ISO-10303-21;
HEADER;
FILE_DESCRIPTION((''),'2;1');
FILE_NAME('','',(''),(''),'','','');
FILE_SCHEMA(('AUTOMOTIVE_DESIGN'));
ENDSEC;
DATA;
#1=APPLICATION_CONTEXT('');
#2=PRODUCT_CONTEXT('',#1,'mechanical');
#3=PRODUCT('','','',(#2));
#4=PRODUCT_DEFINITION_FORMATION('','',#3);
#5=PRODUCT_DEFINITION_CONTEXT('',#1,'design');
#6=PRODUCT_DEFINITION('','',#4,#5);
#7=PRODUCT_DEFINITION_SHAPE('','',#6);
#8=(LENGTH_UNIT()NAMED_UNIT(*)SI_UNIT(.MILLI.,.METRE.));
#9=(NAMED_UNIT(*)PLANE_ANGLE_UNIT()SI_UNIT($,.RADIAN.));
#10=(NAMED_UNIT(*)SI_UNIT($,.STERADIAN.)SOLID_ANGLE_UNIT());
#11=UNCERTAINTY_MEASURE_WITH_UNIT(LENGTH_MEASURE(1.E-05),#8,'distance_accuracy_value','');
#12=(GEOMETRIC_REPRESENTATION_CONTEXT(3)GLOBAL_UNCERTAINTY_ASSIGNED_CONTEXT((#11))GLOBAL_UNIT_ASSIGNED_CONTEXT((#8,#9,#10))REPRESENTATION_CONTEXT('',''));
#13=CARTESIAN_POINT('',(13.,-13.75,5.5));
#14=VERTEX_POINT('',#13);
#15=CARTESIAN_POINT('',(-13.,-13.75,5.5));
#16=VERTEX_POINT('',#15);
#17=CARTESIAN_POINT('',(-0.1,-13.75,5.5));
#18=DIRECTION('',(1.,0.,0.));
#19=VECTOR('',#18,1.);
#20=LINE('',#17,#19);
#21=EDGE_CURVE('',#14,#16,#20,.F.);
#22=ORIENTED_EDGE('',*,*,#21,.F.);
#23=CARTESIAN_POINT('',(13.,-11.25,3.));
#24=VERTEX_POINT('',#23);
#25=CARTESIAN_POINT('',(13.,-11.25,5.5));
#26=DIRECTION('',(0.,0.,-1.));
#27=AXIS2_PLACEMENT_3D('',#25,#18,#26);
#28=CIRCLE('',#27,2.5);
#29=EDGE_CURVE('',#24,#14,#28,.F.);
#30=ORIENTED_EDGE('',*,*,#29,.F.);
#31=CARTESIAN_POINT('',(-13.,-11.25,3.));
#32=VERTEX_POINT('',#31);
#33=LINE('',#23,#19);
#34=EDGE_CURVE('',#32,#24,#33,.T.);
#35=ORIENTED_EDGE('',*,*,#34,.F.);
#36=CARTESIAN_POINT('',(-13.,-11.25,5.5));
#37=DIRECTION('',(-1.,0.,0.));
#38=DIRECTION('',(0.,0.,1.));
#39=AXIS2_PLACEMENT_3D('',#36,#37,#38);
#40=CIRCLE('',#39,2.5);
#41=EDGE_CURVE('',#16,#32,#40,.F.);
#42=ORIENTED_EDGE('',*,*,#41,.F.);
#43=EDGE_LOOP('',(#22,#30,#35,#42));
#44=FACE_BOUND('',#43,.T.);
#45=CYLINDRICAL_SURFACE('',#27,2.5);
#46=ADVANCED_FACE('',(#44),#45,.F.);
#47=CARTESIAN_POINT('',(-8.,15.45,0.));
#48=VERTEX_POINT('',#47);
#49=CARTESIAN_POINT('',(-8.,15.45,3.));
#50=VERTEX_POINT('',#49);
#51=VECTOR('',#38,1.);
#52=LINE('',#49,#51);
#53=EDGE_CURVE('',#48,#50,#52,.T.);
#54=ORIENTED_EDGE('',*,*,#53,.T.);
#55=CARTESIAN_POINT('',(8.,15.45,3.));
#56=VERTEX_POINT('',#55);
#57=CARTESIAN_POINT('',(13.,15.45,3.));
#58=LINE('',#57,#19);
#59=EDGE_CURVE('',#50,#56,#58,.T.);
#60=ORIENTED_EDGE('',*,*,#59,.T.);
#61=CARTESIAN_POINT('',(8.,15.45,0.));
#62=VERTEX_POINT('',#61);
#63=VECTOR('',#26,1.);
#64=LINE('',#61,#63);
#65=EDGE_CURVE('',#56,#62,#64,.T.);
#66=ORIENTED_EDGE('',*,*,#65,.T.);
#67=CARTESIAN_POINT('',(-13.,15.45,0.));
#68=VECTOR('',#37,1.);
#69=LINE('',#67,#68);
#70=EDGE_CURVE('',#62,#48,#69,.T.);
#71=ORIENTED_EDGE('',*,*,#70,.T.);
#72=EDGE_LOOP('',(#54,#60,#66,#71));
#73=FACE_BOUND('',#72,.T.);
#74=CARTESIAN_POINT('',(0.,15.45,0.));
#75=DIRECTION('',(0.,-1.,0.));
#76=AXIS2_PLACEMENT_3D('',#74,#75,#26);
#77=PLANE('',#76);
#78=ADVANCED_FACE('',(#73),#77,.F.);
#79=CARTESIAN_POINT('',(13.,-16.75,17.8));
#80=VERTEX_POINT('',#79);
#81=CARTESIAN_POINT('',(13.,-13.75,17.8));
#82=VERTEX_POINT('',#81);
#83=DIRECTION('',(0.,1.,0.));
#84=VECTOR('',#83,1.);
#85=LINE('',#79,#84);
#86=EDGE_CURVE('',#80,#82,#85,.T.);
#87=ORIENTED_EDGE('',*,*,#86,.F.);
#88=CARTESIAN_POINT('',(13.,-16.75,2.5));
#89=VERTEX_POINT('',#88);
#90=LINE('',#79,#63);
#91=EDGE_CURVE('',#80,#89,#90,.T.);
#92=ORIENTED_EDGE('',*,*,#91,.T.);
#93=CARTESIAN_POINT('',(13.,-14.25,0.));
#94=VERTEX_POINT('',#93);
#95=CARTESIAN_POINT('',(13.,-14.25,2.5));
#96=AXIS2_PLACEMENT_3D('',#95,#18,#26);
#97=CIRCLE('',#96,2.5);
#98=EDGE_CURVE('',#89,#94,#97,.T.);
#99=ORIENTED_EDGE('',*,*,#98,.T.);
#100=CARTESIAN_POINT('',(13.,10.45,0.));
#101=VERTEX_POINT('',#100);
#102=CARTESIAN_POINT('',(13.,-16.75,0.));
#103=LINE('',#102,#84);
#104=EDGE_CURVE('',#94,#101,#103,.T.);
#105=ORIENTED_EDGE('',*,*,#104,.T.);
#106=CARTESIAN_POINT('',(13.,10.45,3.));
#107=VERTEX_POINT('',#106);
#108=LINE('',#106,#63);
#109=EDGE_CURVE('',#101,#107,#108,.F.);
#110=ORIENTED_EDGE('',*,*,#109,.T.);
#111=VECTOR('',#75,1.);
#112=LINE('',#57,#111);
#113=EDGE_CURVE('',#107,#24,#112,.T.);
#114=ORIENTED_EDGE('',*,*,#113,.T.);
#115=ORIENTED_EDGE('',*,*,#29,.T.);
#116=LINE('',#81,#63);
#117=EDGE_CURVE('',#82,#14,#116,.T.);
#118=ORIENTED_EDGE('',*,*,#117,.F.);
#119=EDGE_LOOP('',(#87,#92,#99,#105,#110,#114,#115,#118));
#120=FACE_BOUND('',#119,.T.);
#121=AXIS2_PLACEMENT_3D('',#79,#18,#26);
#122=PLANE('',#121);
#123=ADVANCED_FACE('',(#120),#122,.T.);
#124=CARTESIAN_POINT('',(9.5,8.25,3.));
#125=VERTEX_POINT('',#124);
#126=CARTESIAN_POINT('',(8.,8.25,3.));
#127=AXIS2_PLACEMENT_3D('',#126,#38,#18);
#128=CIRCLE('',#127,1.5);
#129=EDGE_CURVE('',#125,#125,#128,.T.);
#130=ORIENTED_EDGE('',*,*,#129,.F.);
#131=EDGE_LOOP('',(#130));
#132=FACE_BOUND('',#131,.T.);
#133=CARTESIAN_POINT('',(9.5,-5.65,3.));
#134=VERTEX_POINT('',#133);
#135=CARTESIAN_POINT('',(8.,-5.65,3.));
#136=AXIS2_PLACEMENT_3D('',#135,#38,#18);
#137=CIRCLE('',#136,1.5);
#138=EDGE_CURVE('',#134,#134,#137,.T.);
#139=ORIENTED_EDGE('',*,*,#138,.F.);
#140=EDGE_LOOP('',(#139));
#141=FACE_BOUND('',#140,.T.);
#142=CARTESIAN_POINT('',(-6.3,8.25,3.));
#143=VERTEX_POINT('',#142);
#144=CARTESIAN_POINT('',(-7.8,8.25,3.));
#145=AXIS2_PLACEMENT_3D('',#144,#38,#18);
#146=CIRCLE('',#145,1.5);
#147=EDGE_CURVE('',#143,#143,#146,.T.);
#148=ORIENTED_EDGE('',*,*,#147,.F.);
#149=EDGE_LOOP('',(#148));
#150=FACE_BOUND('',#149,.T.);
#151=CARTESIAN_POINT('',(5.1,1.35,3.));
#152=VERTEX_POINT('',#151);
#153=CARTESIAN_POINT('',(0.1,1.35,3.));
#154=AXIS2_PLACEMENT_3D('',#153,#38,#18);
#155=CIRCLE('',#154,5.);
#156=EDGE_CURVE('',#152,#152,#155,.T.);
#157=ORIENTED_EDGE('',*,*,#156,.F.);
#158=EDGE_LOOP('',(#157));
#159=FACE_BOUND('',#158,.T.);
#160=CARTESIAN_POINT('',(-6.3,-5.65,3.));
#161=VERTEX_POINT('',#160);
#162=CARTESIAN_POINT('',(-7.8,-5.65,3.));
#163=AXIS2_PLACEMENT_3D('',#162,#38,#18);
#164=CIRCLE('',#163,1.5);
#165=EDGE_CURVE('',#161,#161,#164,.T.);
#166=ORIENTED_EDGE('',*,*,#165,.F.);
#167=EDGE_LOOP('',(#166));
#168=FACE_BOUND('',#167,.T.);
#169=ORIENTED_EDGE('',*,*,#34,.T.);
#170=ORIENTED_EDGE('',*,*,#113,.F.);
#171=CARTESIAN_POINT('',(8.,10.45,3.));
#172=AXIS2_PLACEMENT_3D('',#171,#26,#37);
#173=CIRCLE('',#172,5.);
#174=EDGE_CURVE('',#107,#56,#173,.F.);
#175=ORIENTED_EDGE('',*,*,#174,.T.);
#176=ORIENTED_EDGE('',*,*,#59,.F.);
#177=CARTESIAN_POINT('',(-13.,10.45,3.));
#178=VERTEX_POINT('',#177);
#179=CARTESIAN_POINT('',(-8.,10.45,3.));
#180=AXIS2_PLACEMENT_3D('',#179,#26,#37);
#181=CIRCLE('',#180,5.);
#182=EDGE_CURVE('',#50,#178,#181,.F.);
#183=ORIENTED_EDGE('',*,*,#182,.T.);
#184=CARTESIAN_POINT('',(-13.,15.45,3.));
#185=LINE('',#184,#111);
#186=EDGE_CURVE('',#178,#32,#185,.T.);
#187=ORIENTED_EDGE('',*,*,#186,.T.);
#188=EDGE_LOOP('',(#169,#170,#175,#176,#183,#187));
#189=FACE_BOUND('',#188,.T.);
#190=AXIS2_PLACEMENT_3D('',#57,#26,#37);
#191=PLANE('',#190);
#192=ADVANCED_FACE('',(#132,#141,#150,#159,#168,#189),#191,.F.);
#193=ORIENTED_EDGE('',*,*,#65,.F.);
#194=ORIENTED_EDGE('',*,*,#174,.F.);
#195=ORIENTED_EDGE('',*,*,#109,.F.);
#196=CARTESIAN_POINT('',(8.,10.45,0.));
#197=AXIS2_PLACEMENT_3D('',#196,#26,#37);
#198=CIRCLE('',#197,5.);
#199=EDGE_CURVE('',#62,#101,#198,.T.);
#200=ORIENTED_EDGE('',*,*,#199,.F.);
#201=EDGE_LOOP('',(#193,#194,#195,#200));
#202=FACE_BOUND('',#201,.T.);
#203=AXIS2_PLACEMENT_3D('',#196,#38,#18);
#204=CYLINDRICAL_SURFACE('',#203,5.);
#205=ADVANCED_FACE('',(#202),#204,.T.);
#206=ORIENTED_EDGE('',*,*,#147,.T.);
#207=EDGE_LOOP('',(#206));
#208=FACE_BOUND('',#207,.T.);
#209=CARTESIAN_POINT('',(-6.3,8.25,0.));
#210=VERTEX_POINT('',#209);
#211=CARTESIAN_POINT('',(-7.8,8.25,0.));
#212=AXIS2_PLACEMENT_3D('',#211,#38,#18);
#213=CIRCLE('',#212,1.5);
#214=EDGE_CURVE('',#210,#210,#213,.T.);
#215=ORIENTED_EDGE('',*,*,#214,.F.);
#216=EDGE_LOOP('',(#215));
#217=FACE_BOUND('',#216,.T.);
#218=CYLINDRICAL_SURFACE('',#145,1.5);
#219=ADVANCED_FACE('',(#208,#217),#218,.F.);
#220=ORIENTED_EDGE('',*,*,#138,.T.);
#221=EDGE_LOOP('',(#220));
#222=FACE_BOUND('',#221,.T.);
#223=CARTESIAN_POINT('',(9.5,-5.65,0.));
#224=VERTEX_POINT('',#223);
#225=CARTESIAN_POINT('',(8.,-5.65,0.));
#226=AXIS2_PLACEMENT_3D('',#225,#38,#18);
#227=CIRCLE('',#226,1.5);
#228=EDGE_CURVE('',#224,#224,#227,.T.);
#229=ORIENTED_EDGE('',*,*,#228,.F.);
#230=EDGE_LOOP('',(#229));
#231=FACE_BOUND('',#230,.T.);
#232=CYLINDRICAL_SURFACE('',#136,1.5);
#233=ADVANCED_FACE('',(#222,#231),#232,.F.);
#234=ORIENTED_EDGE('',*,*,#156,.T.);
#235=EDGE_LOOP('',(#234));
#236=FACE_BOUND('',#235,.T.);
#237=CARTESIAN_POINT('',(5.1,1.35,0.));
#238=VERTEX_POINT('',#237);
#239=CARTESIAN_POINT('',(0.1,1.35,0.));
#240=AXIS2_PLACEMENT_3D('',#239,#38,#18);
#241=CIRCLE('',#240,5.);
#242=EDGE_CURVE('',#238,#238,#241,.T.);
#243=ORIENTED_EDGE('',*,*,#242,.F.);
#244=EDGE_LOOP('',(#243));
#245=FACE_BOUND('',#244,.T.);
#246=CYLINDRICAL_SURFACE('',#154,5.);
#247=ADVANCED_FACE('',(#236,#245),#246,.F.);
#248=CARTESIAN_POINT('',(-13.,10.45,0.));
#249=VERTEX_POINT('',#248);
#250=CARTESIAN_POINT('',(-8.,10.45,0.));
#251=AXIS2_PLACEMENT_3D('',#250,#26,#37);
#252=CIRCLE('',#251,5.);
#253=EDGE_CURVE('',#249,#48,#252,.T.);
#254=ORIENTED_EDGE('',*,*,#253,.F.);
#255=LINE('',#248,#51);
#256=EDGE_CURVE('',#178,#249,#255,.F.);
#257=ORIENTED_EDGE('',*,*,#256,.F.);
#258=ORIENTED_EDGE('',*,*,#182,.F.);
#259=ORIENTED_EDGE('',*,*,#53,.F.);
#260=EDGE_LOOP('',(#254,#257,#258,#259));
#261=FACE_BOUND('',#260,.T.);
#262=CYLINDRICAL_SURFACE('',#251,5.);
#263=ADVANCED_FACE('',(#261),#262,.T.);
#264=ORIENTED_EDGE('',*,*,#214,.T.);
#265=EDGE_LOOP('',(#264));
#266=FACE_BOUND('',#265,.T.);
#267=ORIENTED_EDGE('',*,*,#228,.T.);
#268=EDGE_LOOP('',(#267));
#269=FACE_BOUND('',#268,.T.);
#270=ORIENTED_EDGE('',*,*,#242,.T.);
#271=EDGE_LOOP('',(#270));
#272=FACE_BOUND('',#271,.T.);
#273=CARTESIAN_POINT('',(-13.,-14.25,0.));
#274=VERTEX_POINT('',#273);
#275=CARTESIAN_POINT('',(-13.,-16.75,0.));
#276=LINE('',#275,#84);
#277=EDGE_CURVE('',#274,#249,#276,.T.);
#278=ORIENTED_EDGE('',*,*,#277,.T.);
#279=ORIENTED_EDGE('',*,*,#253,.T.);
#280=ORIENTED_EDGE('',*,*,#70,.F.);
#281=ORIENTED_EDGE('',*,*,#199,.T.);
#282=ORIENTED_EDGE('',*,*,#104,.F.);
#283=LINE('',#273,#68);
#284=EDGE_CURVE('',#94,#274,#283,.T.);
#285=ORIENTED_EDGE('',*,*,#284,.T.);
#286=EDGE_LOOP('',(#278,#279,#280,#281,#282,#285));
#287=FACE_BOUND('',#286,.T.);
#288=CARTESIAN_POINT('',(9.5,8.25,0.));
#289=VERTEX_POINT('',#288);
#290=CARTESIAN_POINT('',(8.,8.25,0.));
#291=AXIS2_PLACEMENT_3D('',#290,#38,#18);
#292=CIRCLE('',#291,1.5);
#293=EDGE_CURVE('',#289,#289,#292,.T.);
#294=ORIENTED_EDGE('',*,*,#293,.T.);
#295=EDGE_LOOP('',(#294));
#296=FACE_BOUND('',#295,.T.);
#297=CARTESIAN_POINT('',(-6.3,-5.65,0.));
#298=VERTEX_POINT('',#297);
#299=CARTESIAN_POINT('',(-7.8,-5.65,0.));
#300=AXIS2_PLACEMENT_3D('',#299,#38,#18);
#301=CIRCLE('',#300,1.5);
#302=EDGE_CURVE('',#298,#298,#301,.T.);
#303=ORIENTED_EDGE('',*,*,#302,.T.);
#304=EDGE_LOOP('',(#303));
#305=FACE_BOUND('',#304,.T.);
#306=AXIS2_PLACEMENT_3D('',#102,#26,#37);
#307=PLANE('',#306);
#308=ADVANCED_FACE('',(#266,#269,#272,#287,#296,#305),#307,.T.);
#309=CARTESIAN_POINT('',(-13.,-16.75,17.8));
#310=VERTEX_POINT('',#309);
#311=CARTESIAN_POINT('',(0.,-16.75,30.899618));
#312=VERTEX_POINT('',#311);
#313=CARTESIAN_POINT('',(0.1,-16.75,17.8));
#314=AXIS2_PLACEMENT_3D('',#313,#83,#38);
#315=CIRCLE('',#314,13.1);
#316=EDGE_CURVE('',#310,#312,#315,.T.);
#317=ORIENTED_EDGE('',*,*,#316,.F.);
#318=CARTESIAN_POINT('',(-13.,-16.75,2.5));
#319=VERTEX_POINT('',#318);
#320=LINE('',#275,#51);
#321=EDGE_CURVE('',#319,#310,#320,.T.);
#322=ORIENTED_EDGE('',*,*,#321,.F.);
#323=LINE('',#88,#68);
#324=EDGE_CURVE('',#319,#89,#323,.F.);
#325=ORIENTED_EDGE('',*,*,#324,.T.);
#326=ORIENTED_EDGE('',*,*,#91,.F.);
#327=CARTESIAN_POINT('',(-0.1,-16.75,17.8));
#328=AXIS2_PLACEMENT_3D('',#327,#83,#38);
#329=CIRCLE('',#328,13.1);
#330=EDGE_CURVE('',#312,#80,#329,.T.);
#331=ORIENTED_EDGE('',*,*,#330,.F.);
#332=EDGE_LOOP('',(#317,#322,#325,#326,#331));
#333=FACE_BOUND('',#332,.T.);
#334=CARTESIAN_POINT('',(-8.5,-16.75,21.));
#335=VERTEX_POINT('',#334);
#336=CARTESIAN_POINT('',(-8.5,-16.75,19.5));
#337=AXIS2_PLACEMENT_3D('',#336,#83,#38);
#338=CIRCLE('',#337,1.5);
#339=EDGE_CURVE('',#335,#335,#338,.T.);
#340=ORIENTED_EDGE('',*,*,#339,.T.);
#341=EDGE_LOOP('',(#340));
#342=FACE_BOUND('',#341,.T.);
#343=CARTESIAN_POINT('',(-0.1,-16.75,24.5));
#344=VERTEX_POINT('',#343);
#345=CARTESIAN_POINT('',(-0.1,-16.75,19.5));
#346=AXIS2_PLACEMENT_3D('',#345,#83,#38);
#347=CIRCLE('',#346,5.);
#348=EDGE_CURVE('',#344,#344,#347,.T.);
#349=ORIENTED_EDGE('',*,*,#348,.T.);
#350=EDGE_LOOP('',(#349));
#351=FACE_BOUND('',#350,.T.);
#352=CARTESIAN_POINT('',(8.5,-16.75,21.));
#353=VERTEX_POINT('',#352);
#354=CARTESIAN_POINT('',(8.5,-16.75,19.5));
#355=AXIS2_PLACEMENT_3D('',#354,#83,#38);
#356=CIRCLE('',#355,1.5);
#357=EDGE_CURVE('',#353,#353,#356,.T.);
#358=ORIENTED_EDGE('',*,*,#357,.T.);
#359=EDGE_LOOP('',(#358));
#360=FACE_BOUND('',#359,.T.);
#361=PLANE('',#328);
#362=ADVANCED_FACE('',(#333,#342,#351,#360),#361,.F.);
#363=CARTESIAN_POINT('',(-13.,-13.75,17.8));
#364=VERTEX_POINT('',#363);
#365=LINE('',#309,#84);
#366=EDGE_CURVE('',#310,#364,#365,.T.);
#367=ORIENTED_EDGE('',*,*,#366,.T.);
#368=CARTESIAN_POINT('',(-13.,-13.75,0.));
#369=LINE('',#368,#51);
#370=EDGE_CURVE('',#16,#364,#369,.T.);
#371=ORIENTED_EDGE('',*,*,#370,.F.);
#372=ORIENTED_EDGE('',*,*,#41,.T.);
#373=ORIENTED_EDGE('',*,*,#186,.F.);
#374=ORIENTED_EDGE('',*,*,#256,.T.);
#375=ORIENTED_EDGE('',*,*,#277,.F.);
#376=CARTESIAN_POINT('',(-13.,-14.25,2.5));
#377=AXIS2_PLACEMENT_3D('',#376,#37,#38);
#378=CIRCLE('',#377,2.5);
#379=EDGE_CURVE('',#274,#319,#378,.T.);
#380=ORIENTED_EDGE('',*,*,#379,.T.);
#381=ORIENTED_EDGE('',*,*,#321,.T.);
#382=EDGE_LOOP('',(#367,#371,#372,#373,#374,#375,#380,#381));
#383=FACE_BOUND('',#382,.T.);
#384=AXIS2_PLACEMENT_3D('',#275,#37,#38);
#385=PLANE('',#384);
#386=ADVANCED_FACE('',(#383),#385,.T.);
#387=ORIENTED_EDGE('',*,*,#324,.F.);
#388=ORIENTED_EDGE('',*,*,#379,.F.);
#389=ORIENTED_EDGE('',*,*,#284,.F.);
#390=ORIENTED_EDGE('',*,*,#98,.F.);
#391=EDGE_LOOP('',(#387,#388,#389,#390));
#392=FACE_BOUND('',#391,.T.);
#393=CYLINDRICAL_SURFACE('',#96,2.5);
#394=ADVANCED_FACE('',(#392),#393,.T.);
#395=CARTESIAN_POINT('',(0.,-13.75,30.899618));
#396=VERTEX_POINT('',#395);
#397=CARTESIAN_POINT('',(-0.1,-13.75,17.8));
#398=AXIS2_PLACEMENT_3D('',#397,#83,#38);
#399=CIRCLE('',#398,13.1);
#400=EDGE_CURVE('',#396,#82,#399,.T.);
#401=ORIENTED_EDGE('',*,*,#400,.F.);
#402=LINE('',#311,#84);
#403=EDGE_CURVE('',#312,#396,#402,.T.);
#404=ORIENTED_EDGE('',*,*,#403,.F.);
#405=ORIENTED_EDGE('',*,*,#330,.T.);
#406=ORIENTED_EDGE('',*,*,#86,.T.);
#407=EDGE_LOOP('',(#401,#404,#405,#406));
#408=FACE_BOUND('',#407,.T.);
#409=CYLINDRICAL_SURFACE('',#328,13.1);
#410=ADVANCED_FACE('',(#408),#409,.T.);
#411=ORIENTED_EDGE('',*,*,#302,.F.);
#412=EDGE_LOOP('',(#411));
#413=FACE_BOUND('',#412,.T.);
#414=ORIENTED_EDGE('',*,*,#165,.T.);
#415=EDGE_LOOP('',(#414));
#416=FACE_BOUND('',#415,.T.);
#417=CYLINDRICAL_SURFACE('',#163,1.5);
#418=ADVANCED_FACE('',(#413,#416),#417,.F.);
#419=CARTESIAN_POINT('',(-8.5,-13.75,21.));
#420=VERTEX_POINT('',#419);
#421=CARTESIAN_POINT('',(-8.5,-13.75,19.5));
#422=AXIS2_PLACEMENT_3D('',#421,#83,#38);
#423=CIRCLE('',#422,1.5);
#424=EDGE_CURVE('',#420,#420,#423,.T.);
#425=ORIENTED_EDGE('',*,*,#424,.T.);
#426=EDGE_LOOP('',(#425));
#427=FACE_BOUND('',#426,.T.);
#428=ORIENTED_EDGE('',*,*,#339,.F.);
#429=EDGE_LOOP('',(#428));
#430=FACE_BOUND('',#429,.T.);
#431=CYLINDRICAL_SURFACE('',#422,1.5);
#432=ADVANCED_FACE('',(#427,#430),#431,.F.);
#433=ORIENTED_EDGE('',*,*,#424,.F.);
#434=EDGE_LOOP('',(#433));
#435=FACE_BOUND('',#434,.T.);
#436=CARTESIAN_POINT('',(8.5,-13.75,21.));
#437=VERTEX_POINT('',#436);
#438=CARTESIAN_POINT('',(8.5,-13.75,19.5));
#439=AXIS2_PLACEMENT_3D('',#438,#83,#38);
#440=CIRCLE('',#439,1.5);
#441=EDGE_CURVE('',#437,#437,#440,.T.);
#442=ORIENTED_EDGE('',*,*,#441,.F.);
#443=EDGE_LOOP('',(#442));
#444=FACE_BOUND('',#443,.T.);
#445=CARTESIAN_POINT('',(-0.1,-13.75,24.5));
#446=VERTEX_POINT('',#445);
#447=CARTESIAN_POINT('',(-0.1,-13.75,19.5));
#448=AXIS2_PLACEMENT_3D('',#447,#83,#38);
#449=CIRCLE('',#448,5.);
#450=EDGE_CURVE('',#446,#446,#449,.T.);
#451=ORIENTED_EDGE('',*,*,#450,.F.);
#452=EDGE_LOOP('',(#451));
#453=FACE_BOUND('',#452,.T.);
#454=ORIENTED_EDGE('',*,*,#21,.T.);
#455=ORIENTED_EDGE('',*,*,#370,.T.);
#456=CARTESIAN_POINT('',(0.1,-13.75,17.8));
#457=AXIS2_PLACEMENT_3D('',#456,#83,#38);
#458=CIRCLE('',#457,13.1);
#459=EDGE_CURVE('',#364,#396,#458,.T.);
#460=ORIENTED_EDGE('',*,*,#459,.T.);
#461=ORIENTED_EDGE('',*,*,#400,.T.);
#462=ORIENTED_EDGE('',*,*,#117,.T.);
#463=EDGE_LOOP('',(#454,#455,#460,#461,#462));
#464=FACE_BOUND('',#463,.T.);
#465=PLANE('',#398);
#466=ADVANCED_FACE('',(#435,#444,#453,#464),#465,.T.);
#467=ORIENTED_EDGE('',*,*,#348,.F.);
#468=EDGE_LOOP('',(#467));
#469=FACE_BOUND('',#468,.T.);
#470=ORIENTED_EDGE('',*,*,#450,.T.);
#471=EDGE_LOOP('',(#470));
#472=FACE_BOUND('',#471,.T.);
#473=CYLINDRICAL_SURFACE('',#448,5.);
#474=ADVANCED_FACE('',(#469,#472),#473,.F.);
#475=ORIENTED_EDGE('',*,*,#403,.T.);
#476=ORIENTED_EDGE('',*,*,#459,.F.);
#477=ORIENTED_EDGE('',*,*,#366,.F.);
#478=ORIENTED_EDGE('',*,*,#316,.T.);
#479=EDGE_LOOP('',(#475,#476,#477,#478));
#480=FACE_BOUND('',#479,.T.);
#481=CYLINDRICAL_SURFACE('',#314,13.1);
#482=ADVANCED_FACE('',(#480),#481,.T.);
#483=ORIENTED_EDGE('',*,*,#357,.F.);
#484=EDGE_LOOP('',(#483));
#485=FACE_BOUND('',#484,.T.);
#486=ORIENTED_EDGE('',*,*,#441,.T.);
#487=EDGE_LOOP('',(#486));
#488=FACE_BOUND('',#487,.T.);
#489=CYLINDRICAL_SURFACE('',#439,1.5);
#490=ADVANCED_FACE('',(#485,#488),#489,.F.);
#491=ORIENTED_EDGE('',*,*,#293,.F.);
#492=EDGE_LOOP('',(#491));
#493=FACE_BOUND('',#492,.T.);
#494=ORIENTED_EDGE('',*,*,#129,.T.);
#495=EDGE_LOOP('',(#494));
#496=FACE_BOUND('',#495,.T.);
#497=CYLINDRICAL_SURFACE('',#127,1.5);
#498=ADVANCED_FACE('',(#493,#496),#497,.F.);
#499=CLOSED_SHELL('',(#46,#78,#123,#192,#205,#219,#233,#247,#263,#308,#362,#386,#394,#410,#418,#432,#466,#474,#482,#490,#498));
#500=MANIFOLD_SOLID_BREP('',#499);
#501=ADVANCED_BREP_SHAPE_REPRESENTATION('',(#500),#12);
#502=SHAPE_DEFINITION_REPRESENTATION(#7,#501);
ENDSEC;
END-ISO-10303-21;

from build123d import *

# Parameters (mm, degrees)
BOSS_EXTRUDE1_DEPTH        = 3
SKETCH2_W                  = 26
SKETCH2_H                  = 3
BOSS_EXTRUDE2_DEPTH        = 29.2
F_10_0_10_DIAMETER_HOLE1_D = 10
F_3_0_3_DIAMETER_HOLE1_D   = 3
F_10_0_10_DIAMETER_HOLE2_D = 10
F_3_0_3_DIAMETER_HOLE2_D   = 3
FILLET1_R                  = 2.5
FILLET3_R                  = 5


with BuildPart() as part:
    # Sketch1 → Boss-Extrude1 (new body)
    with BuildSketch(Plane(origin=(0, -13.75, 0), x_dir=(1, 0, 0), z_dir=(0, 1, 0))):
        with BuildLine():
            Line((13.000000223, -17.8), (13.000000223, 0))
            Line((13.000000223, 0), (-13, 0))
            Line((-13, 0), (-13, -17.8))
            ThreePointArc((-13, -17.8), (-9.198386918, -27.027675803), (1.11e-07, -30.899618316))
            ThreePointArc((1.11e-07, -30.899618316), (9.19838714, -27.027675803), (13.000000223, -17.8))
        make_face()
    extrude(amount=-BOSS_EXTRUDE1_DEPTH)

    # Sketch2 → Boss-Extrude2 (add)
    with BuildSketch(Plane(origin=(0, -13.75, 0), x_dir=(-1, 0, 0), z_dir=(0, 1, 0))):
        with Locations((0, 1.5)):
            Rectangle(SKETCH2_W, SKETCH2_H)
    extrude(amount=BOSS_EXTRUDE2_DEPTH)

    # Ø10.0 (10) Diameter Hole1 (through all)
    with Locations(Plane(origin=(0, -13.75, 0), x_dir=(1, 0, 0), z_dir=(0, 1, 0))):
        with Locations((-0.099999806, -19.5)):
            Hole(F_10_0_10_DIAMETER_HOLE1_D / 2)

    # Ø3.0 (3) Diameter Hole1 (through all)
    with Locations(Plane(origin=(0, -13.75, 0), x_dir=(1, 0, 0), z_dir=(0, 1, 0))):
        with Locations((8.5, -19.5), (-8.5, -19.5)):
            Hole(F_3_0_3_DIAMETER_HOLE1_D / 2)

    # Ø10.0 (10) Diameter Hole2 (through all)
    with Locations(Plane.XY.offset(3)):
        with Locations((0.1, 1.35)):
            Hole(F_10_0_10_DIAMETER_HOLE2_D / 2)

    # Ø3.0 (3) Diameter Hole2 (through all)
    with Locations(Plane.XY.offset(3)):
        with Locations((-7.8, 8.25), (8, -5.65), (-7.8, -5.65), (8, 8.25)):
            Hole(F_3_0_3_DIAMETER_HOLE2_D / 2)

    # Fillet1
    fillet1_edges = [part.edges().sort_by_distance(p)[0] for p in [
        (1.11e-07, -16.75, 0),
        (0, -13.75, 3),
    ]]
    fillet(fillet1_edges, radius=FILLET1_R)

    # Fillet3
    fillet3_edges = [part.edges().sort_by_distance(p)[0] for p in [
        (13, 15.45, 1.5),
        (-13, 15.45, 1.5),
    ]]
    fillet(fillet3_edges, radius=FILLET3_R)


solid = part.part
